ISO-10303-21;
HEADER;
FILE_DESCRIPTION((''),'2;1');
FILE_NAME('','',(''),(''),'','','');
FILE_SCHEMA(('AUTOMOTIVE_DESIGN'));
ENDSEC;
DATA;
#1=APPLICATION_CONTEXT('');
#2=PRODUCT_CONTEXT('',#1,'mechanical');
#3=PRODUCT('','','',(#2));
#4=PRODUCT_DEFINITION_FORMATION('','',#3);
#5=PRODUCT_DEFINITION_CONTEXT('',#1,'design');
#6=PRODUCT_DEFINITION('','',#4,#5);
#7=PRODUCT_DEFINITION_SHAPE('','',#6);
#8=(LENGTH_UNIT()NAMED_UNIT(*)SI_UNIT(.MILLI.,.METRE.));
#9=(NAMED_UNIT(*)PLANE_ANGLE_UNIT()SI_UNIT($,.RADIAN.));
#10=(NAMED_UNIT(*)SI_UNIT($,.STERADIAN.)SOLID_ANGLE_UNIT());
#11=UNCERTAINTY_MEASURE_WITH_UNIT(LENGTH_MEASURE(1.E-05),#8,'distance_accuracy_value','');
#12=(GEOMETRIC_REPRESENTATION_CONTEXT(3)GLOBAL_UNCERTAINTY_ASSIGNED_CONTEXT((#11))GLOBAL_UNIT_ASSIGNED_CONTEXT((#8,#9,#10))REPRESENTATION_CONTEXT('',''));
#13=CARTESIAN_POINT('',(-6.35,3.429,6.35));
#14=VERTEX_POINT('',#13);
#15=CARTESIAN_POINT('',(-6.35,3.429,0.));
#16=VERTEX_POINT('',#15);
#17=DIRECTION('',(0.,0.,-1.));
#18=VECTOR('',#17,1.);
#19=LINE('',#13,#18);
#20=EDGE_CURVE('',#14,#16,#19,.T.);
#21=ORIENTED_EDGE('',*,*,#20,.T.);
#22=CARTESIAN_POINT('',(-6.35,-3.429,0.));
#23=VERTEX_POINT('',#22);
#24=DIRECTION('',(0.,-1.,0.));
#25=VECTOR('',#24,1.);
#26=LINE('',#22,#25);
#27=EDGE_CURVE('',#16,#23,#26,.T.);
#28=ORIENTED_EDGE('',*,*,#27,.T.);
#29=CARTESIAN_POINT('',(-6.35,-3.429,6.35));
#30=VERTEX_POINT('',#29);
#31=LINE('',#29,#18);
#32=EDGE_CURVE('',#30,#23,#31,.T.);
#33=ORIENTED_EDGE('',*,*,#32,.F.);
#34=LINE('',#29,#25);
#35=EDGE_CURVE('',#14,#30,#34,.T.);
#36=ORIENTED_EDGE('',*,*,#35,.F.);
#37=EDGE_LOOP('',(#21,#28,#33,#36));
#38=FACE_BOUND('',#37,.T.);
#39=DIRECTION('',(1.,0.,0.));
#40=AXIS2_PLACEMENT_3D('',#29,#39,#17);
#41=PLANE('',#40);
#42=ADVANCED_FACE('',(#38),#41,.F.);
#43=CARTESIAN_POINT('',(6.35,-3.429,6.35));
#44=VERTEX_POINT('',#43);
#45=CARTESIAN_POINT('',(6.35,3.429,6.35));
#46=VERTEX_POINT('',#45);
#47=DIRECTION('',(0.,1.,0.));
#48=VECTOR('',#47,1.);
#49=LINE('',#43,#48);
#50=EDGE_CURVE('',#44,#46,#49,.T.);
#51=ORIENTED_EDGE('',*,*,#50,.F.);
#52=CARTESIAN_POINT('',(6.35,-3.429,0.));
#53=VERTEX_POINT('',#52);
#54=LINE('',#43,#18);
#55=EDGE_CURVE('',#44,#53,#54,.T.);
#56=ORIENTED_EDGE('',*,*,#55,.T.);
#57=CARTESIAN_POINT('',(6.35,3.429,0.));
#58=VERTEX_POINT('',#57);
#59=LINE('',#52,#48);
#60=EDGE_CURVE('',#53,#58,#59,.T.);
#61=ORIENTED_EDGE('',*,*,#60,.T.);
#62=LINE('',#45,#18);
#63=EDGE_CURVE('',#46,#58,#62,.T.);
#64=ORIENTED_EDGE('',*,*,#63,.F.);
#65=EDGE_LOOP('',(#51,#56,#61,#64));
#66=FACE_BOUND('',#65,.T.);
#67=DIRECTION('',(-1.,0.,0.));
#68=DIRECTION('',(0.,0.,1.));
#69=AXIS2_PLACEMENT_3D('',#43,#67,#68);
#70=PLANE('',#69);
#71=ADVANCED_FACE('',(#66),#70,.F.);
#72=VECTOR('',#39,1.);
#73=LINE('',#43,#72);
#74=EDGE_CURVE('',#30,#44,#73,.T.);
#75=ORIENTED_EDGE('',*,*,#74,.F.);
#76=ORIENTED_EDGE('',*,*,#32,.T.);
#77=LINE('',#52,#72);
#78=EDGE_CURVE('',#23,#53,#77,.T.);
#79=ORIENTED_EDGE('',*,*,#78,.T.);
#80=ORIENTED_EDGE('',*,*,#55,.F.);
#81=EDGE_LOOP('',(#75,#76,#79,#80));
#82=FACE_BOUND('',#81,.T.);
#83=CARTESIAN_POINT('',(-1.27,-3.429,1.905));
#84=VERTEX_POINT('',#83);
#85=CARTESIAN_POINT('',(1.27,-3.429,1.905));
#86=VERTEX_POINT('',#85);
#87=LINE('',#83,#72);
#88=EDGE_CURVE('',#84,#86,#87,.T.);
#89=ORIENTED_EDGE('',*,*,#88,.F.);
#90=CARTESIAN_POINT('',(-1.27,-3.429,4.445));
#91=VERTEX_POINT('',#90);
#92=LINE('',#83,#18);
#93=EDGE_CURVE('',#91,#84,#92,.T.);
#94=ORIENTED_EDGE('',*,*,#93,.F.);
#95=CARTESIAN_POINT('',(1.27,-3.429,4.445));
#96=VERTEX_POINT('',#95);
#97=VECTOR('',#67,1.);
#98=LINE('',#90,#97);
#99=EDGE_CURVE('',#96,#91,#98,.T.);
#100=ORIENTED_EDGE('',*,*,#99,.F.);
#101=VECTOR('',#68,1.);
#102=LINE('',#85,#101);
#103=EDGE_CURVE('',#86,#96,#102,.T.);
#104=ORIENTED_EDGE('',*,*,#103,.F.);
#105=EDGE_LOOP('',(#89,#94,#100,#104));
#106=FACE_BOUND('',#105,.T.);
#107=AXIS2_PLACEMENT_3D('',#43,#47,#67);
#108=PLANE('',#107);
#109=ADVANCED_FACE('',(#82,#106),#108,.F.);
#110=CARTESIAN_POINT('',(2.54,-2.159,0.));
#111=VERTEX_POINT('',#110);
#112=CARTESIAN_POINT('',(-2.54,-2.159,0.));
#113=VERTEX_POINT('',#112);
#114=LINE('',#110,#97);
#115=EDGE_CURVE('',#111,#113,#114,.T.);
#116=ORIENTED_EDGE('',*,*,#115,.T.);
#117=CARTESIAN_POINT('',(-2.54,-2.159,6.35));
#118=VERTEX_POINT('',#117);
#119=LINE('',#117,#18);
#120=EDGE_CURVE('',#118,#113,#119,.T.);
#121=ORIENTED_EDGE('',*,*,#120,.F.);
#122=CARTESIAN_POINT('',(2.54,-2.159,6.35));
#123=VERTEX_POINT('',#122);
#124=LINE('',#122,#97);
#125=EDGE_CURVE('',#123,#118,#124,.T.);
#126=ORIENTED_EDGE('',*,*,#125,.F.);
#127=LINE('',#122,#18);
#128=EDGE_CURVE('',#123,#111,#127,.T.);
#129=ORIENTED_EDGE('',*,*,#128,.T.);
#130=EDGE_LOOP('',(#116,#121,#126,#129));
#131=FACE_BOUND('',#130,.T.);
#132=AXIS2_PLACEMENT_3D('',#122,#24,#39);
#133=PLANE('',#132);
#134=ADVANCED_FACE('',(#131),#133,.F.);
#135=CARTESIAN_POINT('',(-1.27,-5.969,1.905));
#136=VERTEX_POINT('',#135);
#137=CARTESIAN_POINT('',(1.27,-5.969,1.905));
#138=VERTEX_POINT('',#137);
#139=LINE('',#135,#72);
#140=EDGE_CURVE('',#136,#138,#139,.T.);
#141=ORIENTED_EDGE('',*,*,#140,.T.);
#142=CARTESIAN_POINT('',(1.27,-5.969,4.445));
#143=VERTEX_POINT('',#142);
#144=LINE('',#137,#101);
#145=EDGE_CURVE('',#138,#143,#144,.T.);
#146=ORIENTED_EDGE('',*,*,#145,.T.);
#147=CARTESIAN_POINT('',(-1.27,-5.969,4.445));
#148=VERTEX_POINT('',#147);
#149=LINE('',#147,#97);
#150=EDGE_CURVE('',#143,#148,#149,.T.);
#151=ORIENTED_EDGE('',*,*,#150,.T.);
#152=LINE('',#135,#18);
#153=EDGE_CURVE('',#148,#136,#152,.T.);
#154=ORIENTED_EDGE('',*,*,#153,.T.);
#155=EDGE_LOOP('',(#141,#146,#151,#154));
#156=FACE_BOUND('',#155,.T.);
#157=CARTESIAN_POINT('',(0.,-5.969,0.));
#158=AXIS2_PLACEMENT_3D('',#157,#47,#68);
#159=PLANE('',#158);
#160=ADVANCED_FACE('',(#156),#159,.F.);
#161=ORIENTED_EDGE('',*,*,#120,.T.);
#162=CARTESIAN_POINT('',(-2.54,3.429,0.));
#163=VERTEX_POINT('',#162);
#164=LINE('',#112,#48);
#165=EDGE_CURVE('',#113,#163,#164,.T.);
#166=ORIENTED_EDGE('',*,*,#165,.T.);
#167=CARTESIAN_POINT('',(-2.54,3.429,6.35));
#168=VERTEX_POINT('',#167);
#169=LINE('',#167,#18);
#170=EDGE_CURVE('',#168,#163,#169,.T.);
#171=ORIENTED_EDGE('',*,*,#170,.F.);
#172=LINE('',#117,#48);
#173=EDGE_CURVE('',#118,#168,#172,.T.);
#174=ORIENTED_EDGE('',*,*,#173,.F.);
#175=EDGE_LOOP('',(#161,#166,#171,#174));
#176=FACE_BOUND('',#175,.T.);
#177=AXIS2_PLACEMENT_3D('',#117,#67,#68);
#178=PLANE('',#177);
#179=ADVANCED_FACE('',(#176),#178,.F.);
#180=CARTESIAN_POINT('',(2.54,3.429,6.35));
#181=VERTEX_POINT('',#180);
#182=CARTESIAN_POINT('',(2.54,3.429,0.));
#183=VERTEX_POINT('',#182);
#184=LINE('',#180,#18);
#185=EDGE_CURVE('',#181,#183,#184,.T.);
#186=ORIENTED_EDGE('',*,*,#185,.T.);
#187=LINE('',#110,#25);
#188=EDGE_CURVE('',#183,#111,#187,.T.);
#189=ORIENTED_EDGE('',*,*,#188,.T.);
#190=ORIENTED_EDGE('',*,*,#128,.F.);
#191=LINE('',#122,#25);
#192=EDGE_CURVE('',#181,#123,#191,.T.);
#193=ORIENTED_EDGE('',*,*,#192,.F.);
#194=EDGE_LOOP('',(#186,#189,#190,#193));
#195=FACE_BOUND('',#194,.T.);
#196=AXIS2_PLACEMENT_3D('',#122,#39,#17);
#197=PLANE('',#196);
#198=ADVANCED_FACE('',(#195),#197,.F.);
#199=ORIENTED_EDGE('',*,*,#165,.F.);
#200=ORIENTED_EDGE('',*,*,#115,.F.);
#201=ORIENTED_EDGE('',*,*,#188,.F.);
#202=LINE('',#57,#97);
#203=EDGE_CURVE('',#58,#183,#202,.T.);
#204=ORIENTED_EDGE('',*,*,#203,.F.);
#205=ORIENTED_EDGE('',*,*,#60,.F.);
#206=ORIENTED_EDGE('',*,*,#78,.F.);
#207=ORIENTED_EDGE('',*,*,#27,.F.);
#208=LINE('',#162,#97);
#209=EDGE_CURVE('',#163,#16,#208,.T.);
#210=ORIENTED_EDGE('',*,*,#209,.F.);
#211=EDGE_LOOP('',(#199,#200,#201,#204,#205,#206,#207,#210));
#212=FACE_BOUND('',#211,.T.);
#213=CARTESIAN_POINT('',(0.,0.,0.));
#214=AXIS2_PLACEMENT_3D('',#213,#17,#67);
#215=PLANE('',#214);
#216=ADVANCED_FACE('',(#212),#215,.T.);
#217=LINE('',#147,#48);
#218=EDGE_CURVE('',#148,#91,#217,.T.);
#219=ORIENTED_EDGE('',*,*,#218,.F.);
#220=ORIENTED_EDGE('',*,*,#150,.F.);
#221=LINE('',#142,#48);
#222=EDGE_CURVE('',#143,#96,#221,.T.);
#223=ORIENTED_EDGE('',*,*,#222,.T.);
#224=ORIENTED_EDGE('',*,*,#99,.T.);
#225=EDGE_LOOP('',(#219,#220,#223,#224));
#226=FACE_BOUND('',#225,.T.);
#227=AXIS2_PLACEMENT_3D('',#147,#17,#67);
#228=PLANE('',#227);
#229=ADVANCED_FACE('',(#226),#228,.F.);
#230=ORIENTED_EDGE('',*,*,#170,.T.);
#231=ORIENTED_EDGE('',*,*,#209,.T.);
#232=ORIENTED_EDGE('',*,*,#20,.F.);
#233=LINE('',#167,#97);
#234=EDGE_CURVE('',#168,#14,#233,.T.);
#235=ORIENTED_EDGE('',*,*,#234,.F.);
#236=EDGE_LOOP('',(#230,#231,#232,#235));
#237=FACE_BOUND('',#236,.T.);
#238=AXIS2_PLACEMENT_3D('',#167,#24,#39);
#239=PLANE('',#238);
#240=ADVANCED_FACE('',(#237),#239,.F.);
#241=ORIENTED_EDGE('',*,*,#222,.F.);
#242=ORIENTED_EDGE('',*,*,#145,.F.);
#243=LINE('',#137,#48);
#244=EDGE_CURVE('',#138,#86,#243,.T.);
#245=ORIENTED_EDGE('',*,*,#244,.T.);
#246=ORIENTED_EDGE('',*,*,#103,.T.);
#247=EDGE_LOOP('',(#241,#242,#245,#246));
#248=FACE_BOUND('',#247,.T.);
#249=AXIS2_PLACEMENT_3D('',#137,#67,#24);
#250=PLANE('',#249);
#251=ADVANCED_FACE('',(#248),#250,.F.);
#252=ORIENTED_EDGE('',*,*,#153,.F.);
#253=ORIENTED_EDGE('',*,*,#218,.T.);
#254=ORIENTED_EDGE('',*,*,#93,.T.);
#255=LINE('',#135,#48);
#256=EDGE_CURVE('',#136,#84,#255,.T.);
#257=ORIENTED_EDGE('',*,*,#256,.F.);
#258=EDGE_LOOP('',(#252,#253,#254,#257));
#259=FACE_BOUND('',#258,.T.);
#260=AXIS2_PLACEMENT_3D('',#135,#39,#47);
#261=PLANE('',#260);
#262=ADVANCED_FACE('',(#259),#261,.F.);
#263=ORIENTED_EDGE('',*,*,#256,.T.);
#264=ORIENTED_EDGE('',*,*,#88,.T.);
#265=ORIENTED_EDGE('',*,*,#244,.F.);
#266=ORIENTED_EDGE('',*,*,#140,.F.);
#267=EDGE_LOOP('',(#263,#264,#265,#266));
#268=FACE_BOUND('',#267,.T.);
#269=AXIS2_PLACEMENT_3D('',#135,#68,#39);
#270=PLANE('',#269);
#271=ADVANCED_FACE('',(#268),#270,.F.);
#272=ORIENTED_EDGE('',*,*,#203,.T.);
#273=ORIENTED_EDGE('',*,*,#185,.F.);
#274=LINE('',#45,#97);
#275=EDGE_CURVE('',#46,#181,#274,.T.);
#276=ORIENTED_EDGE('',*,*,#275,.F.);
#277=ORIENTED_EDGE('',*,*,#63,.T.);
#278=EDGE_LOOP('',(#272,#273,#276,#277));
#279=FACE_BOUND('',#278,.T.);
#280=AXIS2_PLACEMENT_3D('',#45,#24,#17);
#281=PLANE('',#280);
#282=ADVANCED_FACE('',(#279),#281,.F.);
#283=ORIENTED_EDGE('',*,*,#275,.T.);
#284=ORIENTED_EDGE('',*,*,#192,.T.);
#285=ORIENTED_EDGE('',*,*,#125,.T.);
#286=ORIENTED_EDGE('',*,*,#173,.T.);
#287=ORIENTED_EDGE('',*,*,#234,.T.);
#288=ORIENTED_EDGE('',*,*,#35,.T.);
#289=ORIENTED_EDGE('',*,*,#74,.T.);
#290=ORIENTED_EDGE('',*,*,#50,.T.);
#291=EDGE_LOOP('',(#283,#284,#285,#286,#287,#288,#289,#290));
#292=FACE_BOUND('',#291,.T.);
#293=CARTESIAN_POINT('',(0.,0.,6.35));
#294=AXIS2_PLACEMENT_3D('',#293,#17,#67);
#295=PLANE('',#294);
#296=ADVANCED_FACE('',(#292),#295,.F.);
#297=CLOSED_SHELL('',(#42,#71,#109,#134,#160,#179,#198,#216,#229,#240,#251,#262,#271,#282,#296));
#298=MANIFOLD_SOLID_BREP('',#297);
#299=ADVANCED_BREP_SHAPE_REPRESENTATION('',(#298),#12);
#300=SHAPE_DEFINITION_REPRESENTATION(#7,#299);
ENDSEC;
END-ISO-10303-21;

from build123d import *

# Parameters (mm, degrees)
BOSS_EXTRUDE1_DEPTH = 6.35
SKETCH2_W           = 2.54
SKETCH2_H           = 2.54
BOSS_EXTRUDE2_DEPTH = 2.54


with BuildPart() as part:
    # Sketch1 → Boss-Extrude1 (new body)
    with BuildSketch(Plane.XY):
        Polygon((6.35, -3.429), (-6.35, -3.429), (-6.35, 3.429), (-2.54, 3.429), (-2.54, -2.159), (2.54, -2.159), (2.54, 3.429), (6.35, 3.429), align=None)
    extrude(amount=BOSS_EXTRUDE1_DEPTH)

    # Sketch2 → Boss-Extrude2 (add)
    with BuildSketch(Plane.XZ.offset(3.429)):
        with Locations((0, 3.175)):
            Rectangle(SKETCH2_W, SKETCH2_H)
    extrude(amount=BOSS_EXTRUDE2_DEPTH)


solid = part.part
